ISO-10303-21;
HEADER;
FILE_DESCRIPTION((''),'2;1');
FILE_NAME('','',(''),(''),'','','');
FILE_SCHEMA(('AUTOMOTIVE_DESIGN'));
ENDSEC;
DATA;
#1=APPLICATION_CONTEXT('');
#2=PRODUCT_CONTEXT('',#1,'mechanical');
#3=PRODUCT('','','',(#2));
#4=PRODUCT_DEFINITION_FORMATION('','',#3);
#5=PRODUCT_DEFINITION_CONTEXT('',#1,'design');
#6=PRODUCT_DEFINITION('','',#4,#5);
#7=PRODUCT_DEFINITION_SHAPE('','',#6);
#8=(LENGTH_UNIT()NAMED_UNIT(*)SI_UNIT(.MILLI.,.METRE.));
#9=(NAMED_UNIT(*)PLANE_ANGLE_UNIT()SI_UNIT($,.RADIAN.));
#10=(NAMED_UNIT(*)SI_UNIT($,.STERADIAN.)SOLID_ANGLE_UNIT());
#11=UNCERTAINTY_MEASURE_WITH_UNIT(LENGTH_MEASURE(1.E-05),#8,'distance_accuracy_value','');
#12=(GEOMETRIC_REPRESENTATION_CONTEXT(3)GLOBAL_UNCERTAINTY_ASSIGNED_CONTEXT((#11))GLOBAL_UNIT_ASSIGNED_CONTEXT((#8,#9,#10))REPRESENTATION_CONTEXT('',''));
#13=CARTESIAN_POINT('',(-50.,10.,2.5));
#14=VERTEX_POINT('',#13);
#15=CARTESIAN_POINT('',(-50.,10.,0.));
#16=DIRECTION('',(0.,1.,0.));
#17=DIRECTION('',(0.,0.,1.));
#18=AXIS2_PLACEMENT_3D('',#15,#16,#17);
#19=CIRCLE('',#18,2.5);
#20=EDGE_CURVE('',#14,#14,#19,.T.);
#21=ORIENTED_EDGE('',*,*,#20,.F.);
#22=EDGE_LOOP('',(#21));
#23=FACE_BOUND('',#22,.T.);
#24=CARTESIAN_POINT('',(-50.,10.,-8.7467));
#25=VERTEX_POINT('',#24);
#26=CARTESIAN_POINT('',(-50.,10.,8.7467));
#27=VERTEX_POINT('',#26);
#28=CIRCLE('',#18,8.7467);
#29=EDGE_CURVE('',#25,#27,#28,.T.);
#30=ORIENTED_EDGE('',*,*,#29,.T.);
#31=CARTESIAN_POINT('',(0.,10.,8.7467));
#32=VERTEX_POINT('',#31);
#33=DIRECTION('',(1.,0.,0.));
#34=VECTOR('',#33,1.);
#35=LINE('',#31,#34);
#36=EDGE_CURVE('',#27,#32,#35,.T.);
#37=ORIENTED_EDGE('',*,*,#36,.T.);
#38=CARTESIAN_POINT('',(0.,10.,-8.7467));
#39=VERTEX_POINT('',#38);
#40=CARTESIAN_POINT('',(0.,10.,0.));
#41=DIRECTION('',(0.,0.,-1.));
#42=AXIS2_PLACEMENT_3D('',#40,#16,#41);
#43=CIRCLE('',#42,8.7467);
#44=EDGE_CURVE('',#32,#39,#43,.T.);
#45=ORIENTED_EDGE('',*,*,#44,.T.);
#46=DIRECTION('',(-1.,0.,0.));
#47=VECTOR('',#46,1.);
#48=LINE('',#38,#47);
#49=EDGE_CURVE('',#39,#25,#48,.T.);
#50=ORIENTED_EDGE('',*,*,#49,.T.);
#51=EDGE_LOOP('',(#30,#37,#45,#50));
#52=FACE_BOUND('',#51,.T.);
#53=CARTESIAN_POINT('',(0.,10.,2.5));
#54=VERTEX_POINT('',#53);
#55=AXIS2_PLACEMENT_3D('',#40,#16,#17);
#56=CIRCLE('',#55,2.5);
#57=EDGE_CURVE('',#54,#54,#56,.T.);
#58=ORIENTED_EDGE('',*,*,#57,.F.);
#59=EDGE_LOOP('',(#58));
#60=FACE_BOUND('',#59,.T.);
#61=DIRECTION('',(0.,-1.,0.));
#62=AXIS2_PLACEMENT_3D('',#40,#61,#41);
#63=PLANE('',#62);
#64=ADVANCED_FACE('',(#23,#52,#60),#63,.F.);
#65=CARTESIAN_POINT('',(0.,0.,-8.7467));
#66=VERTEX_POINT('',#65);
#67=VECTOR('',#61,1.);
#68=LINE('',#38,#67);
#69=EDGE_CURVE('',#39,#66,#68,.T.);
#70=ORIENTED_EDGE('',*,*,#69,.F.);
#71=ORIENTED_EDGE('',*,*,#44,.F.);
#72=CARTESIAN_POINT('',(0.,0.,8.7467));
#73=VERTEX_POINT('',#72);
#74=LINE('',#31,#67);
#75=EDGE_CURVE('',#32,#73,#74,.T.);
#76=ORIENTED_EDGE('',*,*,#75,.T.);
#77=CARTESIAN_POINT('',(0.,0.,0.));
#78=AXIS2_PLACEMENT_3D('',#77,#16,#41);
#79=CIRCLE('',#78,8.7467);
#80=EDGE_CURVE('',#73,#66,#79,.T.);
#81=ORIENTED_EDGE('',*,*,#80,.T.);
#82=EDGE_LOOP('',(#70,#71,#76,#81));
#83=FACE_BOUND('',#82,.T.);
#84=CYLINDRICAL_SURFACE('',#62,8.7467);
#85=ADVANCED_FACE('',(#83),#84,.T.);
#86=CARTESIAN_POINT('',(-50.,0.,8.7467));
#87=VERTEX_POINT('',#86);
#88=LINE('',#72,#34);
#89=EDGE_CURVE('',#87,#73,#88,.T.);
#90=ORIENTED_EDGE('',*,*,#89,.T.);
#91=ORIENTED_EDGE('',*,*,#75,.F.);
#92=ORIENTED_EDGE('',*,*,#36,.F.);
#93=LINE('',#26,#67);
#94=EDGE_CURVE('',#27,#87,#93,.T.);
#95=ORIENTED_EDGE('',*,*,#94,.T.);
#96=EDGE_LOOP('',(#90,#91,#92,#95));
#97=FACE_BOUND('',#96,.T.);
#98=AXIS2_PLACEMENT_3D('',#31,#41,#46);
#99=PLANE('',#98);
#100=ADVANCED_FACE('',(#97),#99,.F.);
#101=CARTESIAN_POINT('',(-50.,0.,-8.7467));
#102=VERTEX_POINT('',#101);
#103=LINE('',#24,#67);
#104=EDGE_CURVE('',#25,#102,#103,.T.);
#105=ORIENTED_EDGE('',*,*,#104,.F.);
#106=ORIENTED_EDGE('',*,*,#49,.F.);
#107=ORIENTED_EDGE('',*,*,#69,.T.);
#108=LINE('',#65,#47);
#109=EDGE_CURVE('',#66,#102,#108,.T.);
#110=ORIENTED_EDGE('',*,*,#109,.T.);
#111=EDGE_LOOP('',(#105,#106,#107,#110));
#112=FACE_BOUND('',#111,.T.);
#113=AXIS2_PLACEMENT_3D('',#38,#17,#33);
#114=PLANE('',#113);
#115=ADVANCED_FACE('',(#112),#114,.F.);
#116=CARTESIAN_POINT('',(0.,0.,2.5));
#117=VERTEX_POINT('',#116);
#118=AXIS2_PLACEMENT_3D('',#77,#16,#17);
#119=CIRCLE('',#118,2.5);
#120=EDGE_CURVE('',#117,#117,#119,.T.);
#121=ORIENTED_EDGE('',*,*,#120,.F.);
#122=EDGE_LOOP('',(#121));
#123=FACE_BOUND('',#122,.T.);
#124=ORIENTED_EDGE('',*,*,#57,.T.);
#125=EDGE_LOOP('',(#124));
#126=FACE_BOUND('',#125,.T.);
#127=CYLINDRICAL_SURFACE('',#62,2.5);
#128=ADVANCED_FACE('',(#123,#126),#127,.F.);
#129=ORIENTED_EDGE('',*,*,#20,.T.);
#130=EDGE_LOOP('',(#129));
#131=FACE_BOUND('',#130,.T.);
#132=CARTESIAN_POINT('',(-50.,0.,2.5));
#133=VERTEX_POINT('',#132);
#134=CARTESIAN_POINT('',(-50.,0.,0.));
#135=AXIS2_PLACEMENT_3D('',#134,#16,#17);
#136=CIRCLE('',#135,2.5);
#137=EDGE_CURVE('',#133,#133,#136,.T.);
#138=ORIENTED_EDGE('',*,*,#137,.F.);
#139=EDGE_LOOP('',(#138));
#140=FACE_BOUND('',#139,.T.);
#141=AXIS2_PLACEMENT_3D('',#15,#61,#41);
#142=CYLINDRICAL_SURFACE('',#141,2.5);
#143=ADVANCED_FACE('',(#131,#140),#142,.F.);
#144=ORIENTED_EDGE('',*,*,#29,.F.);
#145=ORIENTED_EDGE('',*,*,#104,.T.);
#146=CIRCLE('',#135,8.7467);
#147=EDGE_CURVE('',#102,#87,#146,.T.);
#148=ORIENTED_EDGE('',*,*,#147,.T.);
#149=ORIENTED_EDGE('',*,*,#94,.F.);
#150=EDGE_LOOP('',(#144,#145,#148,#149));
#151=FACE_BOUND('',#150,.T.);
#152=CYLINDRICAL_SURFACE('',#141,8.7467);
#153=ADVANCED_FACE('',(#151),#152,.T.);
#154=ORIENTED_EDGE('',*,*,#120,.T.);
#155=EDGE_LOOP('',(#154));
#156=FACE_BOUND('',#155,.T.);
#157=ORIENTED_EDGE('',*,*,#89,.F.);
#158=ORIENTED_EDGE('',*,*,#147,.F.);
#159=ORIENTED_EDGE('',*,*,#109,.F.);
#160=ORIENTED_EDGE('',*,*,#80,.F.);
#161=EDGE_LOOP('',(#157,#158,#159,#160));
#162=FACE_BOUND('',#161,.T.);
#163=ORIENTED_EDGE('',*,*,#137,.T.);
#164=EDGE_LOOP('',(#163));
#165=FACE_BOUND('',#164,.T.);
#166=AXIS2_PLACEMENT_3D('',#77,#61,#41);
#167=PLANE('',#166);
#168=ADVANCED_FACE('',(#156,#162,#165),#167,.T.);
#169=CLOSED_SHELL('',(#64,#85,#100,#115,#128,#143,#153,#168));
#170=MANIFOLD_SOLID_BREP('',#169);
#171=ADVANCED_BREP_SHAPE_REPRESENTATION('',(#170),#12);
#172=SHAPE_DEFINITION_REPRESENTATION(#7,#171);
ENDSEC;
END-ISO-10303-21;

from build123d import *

# Parameters (mm, degrees)
SKETCH1_R           = 2.5
BOSS_EXTRUDE1_DEPTH = 10


with BuildPart() as part:
    # Sketch1 → Boss-Extrude1 (new body)
    with BuildSketch(Plane(origin=(0, 0, 0), x_dir=(1, 0, 0), z_dir=(0, 1, 0))):
        with BuildLine():
            Line((0, -8.746700341), (-50, -8.746700341))
            ThreePointArc((-50, -8.746700341), (-58.746700341, 0), (-50, 8.746700341))
            Line((-50, 8.746700341), (0, 8.746700341))
            ThreePointArc((0, 8.746700341), (8.746700341, 0), (0, -8.746700341))
        make_face()
        with Locations(Location((0, 0, 0), (0, 0, 270))):
            Circle(SKETCH1_R, mode=Mode.SUBTRACT)
        with Locations(Location((-50, 0, 0), (0, 0, 270))):
            Circle(SKETCH1_R, mode=Mode.SUBTRACT)
    extrude(amount=BOSS_EXTRUDE1_DEPTH)


solid = part.part
